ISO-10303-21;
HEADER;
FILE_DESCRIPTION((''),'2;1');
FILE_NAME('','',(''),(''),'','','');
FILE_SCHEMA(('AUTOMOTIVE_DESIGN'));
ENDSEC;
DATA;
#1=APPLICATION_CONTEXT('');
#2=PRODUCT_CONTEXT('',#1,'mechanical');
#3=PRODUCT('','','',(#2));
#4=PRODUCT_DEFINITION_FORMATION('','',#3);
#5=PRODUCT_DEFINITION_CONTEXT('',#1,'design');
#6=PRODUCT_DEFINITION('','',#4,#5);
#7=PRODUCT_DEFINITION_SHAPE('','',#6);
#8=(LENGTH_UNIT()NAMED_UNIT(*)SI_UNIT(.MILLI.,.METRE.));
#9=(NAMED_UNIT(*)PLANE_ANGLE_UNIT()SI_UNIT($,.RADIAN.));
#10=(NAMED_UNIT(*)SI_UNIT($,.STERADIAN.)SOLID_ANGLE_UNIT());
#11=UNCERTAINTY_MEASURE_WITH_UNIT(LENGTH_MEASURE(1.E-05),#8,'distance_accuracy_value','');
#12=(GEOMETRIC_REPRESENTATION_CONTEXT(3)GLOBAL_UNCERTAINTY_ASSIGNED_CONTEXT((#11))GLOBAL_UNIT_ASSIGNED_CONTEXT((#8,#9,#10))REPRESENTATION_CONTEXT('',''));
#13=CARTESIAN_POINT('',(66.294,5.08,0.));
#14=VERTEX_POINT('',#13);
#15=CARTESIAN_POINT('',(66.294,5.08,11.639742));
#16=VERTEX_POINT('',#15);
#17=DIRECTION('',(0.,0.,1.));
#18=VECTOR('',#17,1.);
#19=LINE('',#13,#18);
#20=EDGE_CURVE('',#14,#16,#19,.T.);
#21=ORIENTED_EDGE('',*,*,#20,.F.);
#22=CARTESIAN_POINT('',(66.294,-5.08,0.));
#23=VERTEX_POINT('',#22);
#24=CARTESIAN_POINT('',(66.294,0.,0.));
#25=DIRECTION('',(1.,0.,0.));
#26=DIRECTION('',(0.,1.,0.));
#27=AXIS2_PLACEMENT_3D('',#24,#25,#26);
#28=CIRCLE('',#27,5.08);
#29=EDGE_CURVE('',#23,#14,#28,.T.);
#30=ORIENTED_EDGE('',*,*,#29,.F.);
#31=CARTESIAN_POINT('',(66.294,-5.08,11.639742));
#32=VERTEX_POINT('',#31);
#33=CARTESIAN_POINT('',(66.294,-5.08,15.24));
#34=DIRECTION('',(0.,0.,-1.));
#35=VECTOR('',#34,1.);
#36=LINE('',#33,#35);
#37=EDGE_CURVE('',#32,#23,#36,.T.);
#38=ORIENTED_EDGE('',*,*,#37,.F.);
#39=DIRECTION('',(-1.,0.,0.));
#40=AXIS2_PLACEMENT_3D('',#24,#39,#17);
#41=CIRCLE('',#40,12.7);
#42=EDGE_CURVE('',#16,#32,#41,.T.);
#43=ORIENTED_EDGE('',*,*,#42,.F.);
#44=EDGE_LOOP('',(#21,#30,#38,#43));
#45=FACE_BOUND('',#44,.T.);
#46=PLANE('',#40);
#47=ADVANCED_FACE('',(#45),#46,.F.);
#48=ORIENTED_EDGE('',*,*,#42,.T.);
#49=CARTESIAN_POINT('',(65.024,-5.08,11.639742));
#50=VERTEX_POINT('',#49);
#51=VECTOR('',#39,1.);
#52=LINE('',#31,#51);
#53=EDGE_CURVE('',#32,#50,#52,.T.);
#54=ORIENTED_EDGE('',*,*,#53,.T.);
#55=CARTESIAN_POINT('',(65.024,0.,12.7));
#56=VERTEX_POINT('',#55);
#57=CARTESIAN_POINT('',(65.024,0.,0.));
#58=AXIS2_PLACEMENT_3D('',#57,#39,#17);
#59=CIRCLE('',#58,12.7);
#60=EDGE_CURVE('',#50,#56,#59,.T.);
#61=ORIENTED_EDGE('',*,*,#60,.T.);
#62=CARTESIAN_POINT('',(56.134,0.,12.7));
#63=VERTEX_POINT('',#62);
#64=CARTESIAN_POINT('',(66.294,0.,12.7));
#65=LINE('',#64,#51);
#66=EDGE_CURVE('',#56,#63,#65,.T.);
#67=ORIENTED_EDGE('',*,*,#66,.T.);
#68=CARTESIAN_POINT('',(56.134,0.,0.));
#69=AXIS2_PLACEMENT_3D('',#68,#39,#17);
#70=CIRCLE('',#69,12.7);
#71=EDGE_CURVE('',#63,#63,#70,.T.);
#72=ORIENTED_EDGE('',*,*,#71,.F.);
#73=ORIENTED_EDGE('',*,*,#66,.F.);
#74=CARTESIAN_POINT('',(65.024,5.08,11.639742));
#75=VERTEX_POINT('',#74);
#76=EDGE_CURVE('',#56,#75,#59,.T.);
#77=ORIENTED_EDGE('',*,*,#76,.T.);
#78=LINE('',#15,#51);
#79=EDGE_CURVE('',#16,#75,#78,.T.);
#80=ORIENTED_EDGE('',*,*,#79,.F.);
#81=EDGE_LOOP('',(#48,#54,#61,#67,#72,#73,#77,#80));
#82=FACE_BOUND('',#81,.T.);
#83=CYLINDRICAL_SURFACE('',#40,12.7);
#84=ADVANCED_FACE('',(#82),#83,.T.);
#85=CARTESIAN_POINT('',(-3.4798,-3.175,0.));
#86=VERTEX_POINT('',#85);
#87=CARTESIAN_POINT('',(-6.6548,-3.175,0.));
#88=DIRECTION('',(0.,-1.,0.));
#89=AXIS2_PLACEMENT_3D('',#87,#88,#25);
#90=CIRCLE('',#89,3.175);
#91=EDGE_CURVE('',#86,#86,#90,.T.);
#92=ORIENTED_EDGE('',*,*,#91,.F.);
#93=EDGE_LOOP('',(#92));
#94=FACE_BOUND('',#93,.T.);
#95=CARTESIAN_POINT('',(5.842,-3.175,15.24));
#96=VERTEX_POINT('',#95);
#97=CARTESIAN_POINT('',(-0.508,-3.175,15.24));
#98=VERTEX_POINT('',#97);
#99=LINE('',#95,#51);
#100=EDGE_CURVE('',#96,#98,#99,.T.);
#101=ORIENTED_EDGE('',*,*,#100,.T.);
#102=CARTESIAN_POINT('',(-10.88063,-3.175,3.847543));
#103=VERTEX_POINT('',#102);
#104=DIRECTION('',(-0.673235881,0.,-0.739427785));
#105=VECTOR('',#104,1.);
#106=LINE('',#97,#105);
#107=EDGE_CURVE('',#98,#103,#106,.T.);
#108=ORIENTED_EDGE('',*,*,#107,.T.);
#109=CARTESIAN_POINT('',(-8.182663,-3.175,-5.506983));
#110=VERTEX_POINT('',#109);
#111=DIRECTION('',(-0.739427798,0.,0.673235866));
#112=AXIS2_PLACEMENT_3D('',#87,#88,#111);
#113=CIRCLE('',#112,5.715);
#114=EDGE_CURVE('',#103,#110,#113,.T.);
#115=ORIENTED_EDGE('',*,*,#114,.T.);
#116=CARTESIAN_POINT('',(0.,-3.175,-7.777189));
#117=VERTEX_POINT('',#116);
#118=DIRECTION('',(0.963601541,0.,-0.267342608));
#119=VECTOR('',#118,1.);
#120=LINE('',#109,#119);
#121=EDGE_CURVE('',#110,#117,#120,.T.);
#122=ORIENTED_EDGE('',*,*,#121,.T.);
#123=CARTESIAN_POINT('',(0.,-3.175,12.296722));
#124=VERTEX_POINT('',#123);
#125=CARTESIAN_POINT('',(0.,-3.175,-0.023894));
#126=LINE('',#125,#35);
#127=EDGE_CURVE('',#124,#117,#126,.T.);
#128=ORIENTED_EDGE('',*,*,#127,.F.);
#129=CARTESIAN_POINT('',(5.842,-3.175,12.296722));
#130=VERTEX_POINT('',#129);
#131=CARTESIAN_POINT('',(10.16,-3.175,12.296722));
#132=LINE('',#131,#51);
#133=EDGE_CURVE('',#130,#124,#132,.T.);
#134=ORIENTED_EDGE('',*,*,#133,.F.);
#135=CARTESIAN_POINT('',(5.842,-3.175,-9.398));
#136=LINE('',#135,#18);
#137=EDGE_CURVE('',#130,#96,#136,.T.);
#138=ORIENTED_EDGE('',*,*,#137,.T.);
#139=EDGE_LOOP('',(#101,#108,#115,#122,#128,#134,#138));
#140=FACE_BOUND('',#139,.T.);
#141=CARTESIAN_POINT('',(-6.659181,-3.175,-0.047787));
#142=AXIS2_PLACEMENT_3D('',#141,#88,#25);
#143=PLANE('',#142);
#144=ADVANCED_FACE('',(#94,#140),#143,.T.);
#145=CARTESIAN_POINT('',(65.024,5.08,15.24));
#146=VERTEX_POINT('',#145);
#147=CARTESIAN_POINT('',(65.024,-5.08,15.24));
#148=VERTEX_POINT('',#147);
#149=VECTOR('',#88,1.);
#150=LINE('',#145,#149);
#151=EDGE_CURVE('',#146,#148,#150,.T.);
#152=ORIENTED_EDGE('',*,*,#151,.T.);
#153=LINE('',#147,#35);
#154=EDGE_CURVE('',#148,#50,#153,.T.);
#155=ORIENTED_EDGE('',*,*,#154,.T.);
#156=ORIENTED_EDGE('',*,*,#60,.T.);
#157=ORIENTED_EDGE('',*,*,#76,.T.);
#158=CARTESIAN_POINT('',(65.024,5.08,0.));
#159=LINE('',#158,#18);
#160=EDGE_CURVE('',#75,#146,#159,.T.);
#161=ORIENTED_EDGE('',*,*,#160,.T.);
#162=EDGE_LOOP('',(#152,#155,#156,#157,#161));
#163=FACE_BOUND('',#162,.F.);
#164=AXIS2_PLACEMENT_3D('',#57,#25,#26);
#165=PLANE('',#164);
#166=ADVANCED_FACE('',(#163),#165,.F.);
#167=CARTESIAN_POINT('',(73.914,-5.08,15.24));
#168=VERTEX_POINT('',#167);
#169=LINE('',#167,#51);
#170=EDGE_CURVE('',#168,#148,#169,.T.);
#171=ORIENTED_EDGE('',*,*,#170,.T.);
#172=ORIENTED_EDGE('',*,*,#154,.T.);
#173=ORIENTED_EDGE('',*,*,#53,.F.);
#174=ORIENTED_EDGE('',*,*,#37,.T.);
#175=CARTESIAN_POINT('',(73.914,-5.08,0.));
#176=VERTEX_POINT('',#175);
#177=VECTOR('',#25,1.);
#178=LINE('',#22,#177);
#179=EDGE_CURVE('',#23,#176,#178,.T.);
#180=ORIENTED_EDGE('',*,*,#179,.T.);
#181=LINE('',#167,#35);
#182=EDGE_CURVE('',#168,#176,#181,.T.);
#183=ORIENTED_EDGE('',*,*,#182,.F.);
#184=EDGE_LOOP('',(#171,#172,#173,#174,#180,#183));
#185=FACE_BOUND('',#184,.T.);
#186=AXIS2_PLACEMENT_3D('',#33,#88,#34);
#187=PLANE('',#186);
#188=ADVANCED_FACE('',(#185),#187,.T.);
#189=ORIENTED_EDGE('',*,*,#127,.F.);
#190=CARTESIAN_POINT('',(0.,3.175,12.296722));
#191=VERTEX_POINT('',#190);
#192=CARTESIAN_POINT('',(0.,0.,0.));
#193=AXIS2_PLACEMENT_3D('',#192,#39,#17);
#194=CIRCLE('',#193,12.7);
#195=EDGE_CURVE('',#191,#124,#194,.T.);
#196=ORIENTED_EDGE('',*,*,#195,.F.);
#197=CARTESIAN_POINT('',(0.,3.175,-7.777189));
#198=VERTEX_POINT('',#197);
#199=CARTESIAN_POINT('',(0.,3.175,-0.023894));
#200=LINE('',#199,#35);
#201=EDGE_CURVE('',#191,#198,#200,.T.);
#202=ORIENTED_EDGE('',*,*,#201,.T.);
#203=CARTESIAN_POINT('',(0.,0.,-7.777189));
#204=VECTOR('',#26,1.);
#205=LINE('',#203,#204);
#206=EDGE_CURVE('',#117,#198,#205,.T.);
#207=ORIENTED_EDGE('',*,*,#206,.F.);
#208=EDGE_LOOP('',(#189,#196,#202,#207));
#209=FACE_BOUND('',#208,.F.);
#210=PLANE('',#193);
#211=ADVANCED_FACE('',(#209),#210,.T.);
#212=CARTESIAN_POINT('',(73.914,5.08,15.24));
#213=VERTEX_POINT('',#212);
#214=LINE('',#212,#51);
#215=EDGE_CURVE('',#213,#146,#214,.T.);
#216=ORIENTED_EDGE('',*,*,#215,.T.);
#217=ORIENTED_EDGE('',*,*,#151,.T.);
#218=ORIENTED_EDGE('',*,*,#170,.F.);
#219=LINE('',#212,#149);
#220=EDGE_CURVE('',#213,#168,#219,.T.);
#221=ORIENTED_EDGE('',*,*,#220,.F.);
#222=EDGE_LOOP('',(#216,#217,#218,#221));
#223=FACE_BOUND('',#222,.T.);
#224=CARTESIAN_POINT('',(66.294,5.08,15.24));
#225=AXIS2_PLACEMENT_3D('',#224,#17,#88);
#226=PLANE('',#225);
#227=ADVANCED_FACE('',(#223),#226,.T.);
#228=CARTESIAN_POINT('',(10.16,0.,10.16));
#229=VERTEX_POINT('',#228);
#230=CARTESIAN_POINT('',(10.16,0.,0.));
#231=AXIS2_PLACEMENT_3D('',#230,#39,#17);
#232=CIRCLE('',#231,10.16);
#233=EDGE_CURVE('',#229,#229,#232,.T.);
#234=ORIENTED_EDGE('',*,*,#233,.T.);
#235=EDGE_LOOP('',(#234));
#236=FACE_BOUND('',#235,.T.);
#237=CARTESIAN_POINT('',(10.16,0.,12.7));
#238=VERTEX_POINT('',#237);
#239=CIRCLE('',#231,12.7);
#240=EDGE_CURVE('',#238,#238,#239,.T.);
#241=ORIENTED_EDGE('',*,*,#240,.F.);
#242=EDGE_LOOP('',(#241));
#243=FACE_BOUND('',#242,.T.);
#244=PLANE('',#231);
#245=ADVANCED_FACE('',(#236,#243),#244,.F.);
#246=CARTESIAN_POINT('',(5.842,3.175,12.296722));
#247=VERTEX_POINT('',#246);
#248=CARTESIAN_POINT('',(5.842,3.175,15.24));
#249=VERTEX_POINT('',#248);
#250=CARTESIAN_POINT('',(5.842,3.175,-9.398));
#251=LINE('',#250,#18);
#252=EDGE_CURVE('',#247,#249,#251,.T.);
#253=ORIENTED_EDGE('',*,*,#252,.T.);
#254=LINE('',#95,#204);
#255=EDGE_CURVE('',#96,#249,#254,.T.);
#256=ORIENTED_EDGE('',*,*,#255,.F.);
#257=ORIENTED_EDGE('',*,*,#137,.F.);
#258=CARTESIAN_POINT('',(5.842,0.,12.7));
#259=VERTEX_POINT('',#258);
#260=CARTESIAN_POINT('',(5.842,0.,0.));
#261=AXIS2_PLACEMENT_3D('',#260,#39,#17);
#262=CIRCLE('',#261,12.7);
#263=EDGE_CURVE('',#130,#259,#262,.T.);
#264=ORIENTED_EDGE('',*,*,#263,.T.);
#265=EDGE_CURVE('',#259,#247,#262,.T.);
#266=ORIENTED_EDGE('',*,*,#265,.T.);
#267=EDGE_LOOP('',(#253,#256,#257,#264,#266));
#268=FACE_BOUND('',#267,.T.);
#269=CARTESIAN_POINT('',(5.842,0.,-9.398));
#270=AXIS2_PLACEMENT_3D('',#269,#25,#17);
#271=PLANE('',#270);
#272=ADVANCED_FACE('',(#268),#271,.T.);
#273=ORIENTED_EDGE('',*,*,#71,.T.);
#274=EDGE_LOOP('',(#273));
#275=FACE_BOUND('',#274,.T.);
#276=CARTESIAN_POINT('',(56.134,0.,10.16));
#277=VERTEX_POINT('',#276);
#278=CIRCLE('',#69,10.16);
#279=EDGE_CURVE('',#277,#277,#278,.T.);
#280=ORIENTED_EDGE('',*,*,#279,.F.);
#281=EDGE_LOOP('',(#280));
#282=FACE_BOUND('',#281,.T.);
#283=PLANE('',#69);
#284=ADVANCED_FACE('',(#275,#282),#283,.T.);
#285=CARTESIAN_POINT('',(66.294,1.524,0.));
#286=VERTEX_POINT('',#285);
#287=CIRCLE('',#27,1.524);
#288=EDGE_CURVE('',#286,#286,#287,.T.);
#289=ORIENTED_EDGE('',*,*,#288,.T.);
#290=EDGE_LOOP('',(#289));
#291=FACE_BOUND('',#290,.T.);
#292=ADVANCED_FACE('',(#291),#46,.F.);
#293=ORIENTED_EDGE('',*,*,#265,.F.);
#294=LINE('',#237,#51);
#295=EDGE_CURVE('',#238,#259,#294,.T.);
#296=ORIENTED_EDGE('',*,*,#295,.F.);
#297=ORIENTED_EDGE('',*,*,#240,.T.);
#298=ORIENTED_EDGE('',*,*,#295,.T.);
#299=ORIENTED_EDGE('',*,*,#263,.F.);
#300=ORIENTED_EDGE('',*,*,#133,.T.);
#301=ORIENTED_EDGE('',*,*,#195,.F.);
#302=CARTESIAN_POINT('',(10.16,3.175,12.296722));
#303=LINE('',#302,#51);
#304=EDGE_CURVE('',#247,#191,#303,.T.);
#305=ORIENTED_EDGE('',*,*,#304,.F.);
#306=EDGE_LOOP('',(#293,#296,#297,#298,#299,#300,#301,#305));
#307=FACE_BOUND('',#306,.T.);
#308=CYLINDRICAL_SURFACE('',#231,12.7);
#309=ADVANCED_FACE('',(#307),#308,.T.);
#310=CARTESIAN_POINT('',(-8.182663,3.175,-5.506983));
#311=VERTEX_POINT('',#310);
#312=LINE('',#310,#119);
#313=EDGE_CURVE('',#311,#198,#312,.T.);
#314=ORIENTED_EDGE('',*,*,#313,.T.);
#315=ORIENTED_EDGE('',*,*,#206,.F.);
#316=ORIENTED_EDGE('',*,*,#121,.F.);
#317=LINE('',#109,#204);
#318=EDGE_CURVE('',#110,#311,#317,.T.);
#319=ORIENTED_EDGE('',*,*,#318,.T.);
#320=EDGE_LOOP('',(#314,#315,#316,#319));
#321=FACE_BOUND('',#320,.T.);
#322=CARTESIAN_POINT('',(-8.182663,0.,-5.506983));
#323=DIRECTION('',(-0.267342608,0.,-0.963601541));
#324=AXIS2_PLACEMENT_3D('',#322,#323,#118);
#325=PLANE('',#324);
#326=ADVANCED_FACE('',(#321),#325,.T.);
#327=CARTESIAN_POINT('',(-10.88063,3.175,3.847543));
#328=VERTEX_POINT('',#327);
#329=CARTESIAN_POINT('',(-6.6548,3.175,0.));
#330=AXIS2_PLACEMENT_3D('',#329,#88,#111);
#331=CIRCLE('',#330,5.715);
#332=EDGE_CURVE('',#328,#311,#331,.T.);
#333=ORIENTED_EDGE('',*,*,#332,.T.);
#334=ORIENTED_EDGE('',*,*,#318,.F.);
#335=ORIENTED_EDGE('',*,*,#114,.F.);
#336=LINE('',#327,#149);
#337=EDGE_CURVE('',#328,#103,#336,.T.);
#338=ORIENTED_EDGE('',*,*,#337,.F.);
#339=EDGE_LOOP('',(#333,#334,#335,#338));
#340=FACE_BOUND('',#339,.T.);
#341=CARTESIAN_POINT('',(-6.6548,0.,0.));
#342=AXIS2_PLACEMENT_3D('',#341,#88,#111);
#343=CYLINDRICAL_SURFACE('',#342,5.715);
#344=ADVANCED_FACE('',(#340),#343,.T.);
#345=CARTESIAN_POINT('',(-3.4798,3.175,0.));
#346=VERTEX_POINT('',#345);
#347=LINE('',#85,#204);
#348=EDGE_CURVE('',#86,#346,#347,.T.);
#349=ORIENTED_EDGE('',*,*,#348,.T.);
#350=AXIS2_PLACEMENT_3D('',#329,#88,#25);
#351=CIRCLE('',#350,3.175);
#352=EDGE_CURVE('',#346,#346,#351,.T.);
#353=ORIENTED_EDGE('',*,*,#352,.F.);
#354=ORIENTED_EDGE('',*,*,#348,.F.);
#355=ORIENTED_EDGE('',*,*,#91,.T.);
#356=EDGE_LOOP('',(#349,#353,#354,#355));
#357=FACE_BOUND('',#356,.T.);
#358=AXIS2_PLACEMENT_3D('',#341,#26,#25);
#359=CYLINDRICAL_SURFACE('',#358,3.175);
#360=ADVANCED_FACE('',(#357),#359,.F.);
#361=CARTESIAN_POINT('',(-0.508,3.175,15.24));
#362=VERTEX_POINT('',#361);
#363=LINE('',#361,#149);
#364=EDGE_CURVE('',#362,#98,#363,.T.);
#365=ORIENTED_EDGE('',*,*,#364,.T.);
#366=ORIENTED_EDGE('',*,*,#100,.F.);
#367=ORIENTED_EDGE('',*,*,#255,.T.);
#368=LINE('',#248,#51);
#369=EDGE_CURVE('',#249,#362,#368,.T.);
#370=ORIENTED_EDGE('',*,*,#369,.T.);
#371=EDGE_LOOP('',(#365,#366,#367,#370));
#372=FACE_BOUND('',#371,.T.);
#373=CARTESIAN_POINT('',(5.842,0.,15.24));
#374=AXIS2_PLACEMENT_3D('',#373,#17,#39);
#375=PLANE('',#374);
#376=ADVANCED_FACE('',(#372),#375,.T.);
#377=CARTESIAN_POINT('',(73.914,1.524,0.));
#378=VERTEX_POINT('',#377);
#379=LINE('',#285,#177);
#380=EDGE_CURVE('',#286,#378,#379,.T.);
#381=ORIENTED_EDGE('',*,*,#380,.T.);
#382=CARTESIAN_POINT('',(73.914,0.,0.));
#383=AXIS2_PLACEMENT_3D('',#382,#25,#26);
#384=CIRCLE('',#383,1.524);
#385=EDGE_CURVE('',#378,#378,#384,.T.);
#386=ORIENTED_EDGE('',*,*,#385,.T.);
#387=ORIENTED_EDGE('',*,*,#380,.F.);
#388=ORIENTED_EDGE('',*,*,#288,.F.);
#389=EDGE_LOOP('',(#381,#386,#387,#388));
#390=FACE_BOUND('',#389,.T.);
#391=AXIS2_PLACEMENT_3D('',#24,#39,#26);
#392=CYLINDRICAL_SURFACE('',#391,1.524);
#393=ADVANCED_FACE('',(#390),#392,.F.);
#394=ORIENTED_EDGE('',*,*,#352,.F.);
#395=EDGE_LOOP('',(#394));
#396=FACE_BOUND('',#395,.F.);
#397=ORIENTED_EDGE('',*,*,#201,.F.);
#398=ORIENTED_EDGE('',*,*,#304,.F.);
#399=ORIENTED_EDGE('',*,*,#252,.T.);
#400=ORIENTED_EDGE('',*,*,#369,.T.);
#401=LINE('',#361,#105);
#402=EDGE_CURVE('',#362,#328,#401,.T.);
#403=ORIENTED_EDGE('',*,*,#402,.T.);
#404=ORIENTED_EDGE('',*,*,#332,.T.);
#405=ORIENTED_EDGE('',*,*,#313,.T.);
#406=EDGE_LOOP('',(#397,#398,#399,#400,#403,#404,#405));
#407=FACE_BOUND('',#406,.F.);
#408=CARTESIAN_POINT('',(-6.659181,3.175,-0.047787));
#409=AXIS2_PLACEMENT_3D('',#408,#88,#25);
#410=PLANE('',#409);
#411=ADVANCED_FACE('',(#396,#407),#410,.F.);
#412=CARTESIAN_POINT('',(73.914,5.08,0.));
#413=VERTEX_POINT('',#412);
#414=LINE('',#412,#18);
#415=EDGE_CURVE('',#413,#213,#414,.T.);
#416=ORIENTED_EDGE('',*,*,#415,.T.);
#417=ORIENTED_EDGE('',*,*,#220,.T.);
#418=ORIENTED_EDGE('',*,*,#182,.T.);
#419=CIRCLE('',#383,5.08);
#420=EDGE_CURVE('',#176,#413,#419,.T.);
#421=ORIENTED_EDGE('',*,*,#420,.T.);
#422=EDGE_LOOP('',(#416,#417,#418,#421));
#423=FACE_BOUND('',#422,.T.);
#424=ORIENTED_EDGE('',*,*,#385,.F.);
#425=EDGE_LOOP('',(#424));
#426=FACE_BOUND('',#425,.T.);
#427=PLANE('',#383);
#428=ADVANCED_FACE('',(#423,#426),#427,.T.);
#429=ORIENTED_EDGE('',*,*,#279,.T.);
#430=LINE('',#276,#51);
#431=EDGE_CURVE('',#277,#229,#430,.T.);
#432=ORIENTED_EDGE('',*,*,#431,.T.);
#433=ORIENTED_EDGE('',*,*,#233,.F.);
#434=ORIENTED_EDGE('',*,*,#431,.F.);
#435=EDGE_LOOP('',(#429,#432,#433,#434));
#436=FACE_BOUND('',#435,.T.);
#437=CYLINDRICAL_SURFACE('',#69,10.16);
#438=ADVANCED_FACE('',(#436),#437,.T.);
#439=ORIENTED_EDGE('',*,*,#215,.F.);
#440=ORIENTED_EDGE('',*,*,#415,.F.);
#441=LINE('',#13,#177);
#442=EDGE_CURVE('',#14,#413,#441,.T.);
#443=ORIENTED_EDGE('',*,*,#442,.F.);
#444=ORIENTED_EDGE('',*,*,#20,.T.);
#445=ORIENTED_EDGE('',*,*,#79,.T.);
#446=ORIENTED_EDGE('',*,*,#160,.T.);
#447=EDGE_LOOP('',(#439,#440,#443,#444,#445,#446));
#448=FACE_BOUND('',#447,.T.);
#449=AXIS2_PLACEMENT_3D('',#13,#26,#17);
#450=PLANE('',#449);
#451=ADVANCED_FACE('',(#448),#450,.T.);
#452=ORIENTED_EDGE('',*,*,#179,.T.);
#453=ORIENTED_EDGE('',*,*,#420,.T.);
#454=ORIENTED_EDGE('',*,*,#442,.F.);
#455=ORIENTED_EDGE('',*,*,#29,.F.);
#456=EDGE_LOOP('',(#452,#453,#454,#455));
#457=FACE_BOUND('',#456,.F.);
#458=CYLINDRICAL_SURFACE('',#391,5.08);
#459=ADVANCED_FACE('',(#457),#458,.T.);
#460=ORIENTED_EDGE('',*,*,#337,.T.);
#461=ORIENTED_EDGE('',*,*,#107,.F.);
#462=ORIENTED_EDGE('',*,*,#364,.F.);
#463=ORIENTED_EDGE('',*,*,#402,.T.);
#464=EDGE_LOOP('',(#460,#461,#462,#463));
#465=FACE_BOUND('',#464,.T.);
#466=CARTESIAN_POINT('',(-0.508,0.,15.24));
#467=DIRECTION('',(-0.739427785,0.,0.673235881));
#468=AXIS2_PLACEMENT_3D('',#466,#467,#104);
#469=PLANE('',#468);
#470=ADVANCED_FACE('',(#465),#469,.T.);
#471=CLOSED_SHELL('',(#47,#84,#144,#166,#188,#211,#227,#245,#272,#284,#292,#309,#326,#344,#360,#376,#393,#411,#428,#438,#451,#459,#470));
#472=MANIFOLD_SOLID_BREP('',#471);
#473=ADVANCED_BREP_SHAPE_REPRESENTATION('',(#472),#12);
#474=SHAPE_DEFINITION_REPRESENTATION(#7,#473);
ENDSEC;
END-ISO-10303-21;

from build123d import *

# Parameters (mm, degrees)
F0_W          = 5.842
F0_H          = 12.7
F2_R          = 1.524
F3_DEPTH      = 7.62
F3_DEPTH_BACK = 1.27
F0_R          = 3.175
F4_DEPTH      = 3.175


with BuildPart() as f1:
    # F0 (on Front) → F1 (revolve)
    with BuildSketch(Plane.XZ):
        Polygon((5.842, 12.7), (5.842, 0), (66.294, 0), (66.294, 12.7), (56.134, 12.7), (56.134, 10.16), (10.16, 10.16), (10.16, 12.7), align=None)
        with Locations((2.921, 6.35)):
            Rectangle(F0_W, F0_H)
    revolve(axis=Axis((-3.3274, 0, 0), (-1, 0, 0)))

    # F2 (on face) → F3 (join, two sides)
    with BuildSketch(Plane.YZ.offset(66.294)) as f3_sk:
        with BuildLine():
            ThreePointArc((-5.08, 0), (0, -5.08), (5.08, 0))
            ThreePointArc((5.08, 0), (0, 5.08), (-5.08, 0))
        make_face()
        Circle(F2_R, mode=Mode.SUBTRACT)
        with BuildLine():
            ThreePointArc((-5.08, 0), (0, 5.08), (5.08, 0))
            Line((5.08, 0), (5.08, 15.24))
            Line((5.08, 15.24), (-5.08, 15.24))
            Line((-5.08, 15.24), (-5.08, 0))
        make_face()
    extrude(amount=F3_DEPTH)
    extrude(f3_sk.sketch, amount=-F3_DEPTH_BACK)

    # F0 (on Front) → F4 (join, symmetric)
    with BuildSketch(Plane.XZ):
        with BuildLine():
            ThreePointArc((-8.182663, -5.506983), (-3.195791, -4.549339), (-0.9398, 0))
            ThreePointArc((-0.9398, 0), (-4.591961, 5.329721), (-10.88063, 3.847543))
            ThreePointArc((-10.88063, 3.847543), (-12.145978, -1.583727), (-8.182663, -5.506983))
        make_face()
        with Locations((-6.6548, 0)):
            Circle(F0_R, mode=Mode.SUBTRACT)
        with BuildLine():
            Line((-0.9398, 0), (0, 0))
            Line((0, 0), (0, 12.7))
            Line((0, 12.7), (5.842, 12.7))
            Line((5.842, 12.7), (5.842, 15.24))
            Line((5.842, 15.24), (-0.508, 15.24))
            Line((-0.508, 15.24), (-10.88063, 3.847543))
            ThreePointArc((-10.88063, 3.847543), (-4.591961, 5.329721), (-0.9398, 0))
        make_face()
        with BuildLine():
            Line((5.842, 0), (0, 0))
            Line((0, 0), (-0.9398, 0))
            ThreePointArc((-0.9398, 0), (-3.195791, -4.549339), (-8.182663, -5.506983))
            Line((-8.182663, -5.506983), (5.842, -9.398))
            Line((5.842, -9.398), (5.842, 0))
        make_face()
        with Locations((2.921, 6.35)):
            Rectangle(F0_W, F0_H)
    extrude(amount=F4_DEPTH, both=True)


solid = f1.part
